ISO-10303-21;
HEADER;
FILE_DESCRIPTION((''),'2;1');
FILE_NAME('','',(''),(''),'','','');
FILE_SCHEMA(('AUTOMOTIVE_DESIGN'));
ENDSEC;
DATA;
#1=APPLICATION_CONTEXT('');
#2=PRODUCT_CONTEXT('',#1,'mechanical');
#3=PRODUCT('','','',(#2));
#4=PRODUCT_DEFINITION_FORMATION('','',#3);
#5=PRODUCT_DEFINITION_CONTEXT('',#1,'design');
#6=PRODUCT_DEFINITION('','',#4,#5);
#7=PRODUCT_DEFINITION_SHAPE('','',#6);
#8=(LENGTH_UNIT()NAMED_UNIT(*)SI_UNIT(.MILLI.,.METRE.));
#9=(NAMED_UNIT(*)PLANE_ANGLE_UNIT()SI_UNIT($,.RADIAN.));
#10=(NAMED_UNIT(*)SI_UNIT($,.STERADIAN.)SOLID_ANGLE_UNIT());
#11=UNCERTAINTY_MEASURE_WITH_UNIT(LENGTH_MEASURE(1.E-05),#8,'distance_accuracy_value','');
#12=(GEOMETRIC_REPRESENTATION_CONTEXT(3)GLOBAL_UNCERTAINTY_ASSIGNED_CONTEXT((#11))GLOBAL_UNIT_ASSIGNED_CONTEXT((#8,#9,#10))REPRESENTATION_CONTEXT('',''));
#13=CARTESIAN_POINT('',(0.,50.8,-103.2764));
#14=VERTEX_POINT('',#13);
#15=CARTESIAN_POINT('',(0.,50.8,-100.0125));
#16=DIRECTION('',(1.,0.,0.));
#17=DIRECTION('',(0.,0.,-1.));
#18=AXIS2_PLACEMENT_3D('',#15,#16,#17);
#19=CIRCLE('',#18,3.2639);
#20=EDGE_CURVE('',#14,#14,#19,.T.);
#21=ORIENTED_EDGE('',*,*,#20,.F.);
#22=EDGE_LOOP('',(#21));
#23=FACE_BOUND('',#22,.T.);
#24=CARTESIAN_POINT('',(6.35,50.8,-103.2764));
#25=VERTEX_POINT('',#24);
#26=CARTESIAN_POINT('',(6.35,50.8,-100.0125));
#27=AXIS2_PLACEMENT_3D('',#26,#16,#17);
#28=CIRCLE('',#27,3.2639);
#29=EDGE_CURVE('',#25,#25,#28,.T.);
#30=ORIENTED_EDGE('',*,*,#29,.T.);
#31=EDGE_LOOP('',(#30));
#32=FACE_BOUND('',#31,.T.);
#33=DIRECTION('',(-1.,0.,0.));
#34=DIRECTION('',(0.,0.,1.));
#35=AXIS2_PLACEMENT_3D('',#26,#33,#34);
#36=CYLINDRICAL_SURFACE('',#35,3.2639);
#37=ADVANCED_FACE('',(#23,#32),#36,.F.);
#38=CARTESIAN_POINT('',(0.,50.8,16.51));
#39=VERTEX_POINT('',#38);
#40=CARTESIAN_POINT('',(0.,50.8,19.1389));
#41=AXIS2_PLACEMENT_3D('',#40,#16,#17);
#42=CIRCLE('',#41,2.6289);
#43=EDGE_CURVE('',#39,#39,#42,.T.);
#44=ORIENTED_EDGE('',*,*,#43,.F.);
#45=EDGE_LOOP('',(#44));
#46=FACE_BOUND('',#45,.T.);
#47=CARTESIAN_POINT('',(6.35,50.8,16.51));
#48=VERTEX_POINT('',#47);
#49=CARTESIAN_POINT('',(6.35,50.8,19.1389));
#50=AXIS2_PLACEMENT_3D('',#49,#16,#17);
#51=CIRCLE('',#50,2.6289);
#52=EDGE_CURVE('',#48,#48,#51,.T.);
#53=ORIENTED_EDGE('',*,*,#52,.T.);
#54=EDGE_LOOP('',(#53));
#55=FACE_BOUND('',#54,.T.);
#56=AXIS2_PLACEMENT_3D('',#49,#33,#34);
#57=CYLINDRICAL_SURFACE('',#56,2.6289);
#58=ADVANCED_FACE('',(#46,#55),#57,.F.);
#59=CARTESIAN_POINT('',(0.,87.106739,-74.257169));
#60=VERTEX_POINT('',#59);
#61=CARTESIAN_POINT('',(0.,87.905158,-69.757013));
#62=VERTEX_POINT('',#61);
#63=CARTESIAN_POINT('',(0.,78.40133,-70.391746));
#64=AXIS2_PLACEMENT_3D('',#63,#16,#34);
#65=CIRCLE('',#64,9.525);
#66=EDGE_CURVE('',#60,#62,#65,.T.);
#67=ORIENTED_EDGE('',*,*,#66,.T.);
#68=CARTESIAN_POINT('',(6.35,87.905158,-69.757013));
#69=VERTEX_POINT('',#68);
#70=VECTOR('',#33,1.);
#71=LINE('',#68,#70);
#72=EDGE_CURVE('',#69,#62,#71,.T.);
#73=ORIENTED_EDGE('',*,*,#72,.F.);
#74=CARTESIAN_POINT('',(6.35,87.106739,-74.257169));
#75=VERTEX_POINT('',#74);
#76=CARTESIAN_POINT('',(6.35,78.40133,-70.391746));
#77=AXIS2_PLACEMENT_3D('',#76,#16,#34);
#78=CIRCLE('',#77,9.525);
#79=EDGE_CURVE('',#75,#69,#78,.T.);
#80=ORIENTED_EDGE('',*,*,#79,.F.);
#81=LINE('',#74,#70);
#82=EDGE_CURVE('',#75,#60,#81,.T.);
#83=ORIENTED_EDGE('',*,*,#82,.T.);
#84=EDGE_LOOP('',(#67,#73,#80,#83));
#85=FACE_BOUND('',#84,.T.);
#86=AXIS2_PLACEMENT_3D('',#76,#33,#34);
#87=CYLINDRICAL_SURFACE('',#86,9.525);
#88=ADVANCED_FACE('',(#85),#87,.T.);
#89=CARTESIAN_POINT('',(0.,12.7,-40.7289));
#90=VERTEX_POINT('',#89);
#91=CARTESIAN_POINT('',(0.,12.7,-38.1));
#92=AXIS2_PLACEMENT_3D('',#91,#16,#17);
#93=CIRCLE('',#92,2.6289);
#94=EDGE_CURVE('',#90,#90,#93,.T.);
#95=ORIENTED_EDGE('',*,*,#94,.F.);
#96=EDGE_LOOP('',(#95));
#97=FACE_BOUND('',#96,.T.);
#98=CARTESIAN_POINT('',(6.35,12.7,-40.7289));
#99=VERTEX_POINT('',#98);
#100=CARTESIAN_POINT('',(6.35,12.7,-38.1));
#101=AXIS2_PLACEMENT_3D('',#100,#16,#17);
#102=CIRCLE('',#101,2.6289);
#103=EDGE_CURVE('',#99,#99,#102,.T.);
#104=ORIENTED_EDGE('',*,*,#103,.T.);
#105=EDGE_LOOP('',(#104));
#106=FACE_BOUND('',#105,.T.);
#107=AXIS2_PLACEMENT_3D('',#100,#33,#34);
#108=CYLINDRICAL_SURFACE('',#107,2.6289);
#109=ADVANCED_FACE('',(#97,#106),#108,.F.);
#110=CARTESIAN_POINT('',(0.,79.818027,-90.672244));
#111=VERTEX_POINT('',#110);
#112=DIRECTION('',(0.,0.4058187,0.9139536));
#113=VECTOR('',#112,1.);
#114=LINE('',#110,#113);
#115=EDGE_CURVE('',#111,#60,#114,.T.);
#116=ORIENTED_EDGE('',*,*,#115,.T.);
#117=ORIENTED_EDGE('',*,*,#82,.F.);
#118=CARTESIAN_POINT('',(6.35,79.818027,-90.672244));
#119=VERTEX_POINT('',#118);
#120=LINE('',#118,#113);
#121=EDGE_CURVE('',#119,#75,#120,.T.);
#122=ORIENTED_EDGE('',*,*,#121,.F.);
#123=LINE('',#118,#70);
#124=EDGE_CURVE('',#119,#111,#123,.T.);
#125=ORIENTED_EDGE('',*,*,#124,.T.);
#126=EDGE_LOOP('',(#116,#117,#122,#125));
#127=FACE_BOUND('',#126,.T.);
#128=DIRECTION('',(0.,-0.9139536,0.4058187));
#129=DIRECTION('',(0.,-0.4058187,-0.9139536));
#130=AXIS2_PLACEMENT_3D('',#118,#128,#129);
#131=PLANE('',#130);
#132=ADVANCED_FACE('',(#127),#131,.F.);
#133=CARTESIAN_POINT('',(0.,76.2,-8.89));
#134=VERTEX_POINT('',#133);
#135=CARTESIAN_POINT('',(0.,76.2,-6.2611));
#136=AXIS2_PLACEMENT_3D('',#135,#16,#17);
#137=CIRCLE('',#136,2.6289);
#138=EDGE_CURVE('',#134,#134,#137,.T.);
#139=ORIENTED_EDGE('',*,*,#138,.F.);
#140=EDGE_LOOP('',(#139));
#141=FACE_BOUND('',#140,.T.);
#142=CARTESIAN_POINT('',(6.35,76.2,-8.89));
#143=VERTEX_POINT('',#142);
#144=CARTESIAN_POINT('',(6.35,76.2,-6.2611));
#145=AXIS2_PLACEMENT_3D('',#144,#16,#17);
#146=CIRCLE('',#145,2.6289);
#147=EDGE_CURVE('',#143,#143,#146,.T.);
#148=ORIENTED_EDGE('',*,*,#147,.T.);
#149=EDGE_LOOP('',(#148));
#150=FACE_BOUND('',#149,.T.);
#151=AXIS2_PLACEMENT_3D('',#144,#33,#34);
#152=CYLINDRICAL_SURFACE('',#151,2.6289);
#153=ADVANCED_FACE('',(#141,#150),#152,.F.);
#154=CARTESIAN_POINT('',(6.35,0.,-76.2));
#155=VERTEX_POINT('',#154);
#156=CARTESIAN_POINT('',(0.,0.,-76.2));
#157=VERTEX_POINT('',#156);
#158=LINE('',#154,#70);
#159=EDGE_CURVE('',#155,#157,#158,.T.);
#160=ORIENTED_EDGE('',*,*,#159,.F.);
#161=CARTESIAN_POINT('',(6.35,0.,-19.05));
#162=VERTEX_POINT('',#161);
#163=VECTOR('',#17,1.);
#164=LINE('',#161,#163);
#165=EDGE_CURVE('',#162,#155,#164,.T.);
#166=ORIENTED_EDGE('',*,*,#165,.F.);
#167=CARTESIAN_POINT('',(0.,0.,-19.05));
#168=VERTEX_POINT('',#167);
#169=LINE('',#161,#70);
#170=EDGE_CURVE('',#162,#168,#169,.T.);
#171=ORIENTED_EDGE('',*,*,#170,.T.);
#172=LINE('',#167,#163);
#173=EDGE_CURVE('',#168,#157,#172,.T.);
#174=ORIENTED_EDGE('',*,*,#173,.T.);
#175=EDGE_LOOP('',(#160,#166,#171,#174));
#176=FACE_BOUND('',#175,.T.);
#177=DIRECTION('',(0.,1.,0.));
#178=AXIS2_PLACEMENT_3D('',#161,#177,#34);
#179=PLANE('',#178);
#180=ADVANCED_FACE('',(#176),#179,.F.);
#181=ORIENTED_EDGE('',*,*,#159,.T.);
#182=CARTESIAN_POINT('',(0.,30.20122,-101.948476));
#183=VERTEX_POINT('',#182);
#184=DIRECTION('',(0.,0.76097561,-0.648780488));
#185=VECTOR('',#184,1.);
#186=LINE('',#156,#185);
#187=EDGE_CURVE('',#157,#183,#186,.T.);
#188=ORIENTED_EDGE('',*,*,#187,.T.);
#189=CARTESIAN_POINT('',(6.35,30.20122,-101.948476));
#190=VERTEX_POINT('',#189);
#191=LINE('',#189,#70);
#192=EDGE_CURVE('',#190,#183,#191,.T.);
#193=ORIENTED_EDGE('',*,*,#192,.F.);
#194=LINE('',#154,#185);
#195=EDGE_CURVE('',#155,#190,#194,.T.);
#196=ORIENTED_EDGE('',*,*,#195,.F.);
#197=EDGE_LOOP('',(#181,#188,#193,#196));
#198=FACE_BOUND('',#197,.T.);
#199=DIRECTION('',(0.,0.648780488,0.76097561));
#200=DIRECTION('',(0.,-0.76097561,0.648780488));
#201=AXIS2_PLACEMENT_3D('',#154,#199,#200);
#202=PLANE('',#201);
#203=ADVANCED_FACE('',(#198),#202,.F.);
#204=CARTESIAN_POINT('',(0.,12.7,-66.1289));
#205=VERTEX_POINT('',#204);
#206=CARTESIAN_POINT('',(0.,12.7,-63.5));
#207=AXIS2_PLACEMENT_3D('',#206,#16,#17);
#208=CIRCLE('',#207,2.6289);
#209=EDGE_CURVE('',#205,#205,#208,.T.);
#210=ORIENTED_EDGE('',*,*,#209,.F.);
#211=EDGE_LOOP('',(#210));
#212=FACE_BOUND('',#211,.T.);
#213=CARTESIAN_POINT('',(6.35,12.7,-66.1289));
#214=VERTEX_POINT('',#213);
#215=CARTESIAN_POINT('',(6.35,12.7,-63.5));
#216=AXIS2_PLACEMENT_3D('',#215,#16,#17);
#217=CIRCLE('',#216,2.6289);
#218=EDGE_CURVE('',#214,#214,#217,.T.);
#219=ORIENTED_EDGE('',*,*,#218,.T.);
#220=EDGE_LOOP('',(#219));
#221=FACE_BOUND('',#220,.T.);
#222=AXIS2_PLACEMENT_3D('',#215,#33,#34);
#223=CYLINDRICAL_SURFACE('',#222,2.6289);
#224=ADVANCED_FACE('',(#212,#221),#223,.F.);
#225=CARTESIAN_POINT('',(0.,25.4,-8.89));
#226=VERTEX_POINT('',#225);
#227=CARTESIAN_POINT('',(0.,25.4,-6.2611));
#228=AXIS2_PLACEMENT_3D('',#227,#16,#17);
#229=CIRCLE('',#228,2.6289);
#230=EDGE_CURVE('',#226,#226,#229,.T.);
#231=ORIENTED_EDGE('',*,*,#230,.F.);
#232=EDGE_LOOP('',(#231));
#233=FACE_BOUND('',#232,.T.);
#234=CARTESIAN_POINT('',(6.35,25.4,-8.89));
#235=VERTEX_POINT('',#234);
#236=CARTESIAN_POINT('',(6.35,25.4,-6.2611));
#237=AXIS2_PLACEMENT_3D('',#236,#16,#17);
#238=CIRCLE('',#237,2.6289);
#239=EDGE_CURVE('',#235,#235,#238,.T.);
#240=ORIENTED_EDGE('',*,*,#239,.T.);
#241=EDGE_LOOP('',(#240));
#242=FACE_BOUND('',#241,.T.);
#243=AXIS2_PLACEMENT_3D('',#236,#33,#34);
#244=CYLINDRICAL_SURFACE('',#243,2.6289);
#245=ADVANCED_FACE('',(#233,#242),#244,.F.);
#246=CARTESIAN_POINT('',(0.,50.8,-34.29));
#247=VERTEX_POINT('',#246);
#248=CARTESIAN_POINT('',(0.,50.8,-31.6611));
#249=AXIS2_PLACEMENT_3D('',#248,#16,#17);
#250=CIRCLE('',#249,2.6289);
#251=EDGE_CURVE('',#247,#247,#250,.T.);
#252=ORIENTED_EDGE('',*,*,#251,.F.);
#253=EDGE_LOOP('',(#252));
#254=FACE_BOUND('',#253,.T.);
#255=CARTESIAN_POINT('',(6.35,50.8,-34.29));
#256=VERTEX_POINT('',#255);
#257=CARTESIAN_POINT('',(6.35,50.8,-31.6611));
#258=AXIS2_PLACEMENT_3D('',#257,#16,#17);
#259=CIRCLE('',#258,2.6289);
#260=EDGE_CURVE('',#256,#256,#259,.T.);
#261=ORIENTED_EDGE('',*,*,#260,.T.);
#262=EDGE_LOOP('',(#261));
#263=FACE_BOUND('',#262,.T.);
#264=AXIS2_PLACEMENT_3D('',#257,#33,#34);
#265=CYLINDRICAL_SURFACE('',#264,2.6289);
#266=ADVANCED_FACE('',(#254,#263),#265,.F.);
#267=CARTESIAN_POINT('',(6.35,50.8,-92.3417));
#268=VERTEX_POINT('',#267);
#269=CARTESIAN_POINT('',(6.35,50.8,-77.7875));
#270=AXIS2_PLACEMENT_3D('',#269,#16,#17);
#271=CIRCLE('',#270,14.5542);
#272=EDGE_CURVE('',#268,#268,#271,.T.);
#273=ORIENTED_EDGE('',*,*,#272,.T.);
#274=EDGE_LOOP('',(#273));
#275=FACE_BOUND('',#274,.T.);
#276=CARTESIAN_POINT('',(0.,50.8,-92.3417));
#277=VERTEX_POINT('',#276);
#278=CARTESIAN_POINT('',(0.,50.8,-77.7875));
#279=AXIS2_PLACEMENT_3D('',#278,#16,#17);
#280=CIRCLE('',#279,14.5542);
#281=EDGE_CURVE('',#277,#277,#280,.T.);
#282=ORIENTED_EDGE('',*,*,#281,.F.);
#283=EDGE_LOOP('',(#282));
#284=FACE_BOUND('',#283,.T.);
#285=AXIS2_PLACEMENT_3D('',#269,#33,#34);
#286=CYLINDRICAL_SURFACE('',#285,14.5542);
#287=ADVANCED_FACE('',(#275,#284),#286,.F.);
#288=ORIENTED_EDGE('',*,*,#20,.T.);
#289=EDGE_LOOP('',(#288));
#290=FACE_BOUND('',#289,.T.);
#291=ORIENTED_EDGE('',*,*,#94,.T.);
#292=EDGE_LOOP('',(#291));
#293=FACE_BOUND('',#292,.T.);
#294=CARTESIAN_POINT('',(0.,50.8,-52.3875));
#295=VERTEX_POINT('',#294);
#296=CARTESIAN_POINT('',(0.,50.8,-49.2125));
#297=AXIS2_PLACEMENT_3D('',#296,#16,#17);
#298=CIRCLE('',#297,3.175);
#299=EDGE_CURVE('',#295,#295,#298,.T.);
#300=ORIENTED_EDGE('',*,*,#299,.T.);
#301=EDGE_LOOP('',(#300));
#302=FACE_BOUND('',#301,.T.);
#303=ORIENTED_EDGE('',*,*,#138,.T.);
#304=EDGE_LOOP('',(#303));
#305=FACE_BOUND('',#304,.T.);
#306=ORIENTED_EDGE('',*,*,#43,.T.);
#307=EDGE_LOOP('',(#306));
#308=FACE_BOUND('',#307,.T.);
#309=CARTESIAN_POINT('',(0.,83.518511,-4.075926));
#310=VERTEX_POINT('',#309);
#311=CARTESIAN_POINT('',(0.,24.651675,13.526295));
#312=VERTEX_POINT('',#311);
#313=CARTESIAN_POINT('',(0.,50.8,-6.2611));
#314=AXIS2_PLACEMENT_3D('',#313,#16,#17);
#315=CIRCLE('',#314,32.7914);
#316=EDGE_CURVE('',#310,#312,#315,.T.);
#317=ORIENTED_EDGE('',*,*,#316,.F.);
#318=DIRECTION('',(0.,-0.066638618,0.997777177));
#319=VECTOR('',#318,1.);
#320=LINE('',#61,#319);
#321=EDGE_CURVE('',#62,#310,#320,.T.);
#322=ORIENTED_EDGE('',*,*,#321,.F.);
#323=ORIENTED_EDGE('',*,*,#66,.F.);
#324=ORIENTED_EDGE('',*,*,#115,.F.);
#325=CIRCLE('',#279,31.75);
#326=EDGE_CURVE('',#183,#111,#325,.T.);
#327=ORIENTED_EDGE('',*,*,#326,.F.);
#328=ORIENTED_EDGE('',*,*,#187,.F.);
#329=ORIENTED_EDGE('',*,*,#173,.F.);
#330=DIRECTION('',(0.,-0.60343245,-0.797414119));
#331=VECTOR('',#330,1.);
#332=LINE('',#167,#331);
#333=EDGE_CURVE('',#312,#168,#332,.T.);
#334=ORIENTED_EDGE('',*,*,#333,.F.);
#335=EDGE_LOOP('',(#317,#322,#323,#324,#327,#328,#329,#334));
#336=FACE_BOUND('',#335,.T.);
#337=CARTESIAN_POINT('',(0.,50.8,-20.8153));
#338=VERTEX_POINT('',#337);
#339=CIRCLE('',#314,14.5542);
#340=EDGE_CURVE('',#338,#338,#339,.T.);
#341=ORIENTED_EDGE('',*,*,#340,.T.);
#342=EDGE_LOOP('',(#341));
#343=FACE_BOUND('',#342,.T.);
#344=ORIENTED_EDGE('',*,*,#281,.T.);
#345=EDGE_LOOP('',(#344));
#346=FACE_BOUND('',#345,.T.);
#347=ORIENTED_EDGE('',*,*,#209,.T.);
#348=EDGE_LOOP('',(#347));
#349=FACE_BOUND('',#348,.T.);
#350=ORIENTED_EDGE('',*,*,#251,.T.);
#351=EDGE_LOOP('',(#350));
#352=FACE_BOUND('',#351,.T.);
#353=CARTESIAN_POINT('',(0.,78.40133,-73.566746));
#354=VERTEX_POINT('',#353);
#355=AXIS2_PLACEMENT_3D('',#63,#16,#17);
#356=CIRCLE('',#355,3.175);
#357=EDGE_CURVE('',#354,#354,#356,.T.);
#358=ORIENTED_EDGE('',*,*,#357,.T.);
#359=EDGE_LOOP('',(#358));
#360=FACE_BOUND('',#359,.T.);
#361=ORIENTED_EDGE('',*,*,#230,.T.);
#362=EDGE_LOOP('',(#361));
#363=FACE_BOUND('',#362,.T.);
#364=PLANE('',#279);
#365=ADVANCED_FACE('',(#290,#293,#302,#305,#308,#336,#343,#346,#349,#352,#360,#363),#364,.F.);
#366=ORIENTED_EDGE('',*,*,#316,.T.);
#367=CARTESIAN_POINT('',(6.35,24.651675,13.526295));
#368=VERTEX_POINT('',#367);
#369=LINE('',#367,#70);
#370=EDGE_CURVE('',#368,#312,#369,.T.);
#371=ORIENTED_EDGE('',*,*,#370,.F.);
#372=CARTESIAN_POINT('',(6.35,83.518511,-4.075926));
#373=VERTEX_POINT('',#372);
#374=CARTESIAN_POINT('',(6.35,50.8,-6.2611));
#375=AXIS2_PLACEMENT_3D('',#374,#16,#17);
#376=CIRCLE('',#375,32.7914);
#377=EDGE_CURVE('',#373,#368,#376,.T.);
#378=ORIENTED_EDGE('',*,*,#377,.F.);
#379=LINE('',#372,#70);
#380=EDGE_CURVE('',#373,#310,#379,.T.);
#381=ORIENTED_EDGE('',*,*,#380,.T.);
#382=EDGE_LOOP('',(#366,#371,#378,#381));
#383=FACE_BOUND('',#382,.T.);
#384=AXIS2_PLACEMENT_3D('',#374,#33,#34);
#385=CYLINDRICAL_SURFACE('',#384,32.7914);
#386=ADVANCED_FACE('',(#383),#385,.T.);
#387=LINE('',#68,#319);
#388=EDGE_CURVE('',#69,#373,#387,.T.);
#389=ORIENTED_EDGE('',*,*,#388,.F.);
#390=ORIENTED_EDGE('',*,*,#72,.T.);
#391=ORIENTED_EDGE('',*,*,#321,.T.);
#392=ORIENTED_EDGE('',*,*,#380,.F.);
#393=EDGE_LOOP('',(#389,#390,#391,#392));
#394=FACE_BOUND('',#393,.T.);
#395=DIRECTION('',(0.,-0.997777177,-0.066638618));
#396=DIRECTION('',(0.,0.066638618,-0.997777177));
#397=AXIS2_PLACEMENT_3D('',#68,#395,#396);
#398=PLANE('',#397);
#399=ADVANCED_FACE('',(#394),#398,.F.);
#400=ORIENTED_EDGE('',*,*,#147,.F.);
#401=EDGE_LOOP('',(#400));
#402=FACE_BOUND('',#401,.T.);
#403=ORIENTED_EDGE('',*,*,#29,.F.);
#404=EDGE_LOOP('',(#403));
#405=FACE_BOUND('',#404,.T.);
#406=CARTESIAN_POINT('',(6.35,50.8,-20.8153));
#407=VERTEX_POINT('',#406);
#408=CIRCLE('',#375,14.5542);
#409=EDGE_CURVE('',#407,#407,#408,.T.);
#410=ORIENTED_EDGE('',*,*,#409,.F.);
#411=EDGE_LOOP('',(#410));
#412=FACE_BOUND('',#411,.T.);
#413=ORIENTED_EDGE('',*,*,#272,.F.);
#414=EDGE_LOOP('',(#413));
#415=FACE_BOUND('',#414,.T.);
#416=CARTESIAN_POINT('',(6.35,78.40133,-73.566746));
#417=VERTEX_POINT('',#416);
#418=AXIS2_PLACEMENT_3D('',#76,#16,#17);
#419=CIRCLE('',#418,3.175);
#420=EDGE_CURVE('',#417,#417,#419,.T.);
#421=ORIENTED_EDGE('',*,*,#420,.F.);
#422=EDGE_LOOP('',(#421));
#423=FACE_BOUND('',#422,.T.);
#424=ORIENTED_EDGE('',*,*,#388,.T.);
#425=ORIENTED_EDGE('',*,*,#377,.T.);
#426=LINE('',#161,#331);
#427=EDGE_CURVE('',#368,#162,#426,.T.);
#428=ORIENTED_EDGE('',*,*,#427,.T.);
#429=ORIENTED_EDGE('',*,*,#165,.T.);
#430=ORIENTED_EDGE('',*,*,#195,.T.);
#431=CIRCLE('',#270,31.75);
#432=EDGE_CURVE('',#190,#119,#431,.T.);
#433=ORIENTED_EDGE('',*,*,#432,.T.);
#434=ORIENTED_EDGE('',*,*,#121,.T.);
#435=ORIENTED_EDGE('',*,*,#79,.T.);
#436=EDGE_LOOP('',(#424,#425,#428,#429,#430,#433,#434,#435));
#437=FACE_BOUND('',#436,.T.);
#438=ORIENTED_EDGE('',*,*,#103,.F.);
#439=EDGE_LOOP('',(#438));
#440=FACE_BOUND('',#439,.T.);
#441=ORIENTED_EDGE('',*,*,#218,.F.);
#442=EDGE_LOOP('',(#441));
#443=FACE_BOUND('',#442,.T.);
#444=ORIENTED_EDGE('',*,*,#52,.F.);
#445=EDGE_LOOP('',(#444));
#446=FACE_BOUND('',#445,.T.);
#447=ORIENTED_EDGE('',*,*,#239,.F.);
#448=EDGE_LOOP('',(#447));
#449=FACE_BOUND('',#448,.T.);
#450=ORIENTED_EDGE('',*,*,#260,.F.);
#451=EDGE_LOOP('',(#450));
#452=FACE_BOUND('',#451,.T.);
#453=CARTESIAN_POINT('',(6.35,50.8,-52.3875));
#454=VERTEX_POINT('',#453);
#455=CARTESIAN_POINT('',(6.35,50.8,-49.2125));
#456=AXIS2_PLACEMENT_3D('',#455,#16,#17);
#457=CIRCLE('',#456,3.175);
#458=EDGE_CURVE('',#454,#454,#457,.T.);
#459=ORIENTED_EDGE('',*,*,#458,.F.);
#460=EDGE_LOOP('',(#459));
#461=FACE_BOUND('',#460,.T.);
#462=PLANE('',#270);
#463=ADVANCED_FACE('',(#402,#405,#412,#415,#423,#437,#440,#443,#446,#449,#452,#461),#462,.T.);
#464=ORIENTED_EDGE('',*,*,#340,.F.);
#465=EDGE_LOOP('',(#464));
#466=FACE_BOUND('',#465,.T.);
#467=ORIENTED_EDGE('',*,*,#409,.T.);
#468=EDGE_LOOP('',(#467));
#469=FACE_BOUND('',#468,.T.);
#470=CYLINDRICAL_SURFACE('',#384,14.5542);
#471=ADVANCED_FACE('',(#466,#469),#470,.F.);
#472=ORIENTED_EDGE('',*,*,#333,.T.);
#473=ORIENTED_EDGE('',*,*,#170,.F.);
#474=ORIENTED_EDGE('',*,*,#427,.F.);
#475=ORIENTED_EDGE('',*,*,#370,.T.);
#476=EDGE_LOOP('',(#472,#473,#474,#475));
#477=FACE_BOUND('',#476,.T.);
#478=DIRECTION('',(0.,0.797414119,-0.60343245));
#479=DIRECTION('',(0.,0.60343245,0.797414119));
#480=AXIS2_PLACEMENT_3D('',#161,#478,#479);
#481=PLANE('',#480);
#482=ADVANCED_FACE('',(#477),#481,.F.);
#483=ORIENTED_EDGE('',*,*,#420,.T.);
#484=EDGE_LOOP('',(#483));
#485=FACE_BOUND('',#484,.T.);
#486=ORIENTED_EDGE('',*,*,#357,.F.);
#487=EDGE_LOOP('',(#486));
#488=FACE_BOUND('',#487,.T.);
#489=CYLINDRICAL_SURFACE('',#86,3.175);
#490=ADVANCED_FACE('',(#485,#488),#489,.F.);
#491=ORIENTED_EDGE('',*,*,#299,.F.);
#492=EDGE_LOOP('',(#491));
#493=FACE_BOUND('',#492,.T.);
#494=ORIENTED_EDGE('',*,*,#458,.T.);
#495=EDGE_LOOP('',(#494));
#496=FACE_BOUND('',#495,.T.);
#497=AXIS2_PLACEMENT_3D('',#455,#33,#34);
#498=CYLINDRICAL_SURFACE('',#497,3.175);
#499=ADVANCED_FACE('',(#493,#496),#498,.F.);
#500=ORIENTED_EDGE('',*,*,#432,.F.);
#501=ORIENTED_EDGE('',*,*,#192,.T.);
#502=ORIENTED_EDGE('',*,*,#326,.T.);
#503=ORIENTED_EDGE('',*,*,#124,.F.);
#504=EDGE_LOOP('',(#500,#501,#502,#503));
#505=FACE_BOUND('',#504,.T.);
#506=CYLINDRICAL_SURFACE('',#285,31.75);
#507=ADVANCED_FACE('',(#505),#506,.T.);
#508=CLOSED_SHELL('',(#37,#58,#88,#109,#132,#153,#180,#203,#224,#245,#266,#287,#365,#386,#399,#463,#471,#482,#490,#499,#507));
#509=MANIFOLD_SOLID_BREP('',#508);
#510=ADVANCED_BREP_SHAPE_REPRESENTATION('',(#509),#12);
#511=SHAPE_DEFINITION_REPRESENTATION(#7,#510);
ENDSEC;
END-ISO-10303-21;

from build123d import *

# Parameters (mm, degrees)
SKETCH1_R           = 2.6289
SKETCH1_R_2         = 14.5542
SKETCH1_R_3         = 3.175
SKETCH1_R_4         = 3.2639
CORE_GEOMETRY_DEPTH = 6.35


with BuildPart() as part:
    # Sketch1 → Core geometry (new body)
    with BuildSketch(Plane(origin=(0, 0, 0), x_dir=(0, 0, -1), z_dir=(1, 0, 0))):
        with BuildLine():
            Line((76.2, 0), (101.94847561, 30.201219512))
            ThreePointArc((101.94847561, 30.201219512), (108.748010679, 57.836283003), (90.672243723, 79.818026797))
            Line((90.672243723, 79.818026797), (74.257168903, 87.106738525))
            ThreePointArc((74.257168903, 87.106738525), (72.055689407, 87.779865373), (69.757012949, 87.905158095))
            Line((69.757012949, 87.905158095), (4.07592642, 83.518510516))
            ThreePointArc((4.07592642, 83.518510516), (-25.155846577, 60.194220655), (-13.526294854, 24.651674645))
            Line((-13.526294854, 24.651674645), (19.05, 0))
            Line((19.05, 0), (76.2, 0))
        make_face()
        with Locations((38.1, 12.7)):
            Circle(SKETCH1_R, mode=Mode.SUBTRACT)
        with Locations((63.5, 12.7)):
            Circle(SKETCH1_R, mode=Mode.SUBTRACT)
        with Locations((77.7875, 50.8)):
            Circle(SKETCH1_R_2, mode=Mode.SUBTRACT)
        with Locations((6.2611, 50.8)):
            Circle(SKETCH1_R_2, mode=Mode.SUBTRACT)
        with Locations((6.2611, 76.2)):
            Circle(SKETCH1_R, mode=Mode.SUBTRACT)
        with Locations((6.2611, 25.4)):
            Circle(SKETCH1_R, mode=Mode.SUBTRACT)
        with Locations((31.6611, 50.8)):
            Circle(SKETCH1_R, mode=Mode.SUBTRACT)
        with Locations((-19.1389, 50.8)):
            Circle(SKETCH1_R, mode=Mode.SUBTRACT)
        with Locations((49.2125, 50.8)):
            Circle(SKETCH1_R_3, mode=Mode.SUBTRACT)
        with Locations((70.391745786, 78.401330486)):
            Circle(SKETCH1_R_3, mode=Mode.SUBTRACT)
        with Locations((100.0125, 50.8)):
            Circle(SKETCH1_R_4, mode=Mode.SUBTRACT)
    extrude(amount=CORE_GEOMETRY_DEPTH)


solid = part.part
